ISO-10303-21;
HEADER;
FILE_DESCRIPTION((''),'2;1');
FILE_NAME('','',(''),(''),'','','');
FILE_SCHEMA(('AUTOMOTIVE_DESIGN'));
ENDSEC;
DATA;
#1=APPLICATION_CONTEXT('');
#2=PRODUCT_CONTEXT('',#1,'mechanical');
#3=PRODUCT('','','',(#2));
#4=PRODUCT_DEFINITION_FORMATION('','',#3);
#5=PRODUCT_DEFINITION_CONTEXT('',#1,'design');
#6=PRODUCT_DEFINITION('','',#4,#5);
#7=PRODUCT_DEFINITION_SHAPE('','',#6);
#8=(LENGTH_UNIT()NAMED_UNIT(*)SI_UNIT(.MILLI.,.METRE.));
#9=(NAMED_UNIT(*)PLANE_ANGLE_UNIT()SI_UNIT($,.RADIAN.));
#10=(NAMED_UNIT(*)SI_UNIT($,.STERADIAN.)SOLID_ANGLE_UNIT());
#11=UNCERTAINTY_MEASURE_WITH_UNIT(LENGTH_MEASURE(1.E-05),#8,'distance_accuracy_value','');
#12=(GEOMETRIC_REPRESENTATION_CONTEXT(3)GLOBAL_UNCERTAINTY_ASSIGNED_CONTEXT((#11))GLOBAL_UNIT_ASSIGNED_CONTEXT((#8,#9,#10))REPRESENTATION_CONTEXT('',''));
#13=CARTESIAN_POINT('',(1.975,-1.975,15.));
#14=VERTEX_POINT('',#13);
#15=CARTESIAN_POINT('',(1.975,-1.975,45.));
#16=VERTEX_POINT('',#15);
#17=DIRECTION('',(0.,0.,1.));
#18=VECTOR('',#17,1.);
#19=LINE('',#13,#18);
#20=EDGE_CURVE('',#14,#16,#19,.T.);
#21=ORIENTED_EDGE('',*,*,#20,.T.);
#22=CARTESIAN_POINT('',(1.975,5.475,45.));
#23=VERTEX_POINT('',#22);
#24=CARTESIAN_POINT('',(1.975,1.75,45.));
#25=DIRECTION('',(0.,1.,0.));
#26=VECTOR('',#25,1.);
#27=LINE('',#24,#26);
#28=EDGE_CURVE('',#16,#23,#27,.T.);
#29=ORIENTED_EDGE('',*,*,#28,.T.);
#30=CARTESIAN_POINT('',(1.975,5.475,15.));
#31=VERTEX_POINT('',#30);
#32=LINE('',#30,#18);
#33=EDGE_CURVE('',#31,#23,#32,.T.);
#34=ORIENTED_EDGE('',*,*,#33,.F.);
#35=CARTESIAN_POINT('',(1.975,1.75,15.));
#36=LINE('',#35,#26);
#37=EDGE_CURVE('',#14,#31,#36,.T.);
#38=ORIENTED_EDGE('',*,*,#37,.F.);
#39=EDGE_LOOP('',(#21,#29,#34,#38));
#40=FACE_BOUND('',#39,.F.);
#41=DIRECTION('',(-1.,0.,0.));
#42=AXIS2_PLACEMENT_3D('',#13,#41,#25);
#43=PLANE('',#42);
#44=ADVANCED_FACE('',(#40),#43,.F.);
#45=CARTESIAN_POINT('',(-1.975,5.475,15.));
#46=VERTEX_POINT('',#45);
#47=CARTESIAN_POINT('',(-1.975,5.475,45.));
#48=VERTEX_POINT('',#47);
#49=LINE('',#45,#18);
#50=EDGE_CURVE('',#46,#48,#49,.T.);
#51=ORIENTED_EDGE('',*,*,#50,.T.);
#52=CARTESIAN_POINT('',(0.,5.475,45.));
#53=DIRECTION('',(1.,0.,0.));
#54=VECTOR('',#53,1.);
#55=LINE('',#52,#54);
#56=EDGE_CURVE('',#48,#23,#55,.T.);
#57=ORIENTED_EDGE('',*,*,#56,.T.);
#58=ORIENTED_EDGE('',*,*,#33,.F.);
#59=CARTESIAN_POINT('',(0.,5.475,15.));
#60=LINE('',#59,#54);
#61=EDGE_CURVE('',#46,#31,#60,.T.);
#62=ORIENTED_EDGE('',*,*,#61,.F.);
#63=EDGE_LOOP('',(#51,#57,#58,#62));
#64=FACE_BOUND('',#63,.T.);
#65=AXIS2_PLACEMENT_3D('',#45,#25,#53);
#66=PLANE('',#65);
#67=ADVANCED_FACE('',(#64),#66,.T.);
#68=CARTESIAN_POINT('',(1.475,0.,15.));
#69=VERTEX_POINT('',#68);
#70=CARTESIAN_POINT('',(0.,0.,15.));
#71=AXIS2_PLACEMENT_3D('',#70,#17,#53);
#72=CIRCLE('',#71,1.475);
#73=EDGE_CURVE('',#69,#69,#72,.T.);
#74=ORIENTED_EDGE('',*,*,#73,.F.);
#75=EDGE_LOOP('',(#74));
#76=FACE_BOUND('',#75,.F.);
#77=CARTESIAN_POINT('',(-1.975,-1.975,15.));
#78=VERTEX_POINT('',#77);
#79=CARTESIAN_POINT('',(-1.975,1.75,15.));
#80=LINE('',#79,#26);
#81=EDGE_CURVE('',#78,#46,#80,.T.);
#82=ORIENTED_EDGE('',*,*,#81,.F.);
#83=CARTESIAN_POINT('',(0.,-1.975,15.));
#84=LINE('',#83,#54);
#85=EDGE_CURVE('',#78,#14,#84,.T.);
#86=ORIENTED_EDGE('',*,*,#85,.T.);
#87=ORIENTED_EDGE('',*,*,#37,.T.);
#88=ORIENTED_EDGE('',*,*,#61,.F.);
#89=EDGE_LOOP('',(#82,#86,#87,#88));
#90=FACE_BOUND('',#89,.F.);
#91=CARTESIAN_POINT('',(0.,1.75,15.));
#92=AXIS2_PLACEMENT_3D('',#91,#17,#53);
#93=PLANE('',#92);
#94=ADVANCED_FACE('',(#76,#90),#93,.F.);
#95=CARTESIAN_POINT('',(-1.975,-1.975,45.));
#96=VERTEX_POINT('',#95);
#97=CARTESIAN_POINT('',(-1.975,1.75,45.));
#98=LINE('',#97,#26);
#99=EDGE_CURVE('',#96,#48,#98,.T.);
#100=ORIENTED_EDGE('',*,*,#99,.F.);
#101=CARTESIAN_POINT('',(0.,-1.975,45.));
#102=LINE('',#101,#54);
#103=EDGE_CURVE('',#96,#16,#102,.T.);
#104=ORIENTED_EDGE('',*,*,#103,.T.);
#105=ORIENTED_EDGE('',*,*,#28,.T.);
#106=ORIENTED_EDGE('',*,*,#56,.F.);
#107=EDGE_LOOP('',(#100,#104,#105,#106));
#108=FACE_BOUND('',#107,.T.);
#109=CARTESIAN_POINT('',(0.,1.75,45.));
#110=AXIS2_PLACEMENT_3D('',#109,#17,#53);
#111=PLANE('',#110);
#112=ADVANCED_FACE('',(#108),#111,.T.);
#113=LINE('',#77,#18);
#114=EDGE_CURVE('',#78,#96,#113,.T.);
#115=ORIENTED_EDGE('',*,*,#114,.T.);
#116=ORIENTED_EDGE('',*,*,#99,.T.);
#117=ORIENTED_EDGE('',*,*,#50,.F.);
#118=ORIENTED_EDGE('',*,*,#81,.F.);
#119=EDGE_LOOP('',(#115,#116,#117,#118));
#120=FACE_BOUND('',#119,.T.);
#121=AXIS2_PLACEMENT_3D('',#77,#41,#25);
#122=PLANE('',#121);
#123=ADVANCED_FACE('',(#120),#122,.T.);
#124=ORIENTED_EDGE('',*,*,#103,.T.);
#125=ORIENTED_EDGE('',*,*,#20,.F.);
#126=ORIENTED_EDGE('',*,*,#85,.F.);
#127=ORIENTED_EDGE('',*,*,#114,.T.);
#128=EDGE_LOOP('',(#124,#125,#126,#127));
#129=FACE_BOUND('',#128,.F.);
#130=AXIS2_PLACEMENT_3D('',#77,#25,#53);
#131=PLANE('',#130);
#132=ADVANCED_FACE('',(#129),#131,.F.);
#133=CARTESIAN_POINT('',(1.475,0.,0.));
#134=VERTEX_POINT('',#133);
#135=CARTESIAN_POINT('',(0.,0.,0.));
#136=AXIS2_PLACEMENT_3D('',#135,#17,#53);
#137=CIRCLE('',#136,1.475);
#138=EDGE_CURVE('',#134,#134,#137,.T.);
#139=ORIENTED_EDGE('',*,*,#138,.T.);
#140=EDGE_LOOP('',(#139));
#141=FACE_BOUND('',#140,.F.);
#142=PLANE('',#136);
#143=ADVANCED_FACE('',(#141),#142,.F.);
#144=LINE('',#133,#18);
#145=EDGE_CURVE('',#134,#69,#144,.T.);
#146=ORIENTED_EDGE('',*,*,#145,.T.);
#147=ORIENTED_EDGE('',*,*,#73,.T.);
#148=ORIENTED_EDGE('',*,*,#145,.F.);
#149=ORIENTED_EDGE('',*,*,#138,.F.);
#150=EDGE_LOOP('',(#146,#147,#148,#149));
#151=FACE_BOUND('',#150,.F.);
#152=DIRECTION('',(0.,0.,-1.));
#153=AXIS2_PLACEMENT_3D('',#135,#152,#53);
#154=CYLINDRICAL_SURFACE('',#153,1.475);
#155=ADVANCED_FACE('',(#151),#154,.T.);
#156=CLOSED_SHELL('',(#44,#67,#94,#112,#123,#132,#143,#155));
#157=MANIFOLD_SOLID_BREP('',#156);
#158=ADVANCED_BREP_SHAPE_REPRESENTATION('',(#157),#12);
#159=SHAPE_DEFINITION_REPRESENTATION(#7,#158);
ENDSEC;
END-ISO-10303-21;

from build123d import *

# Parameters (mm, degrees)
F0_R     = 1.475
F1_DEPTH = 15
F2_W     = 3.95
F2_H     = 7.45
F2_R     = 1.475
F3_DEPTH = 30


with BuildPart() as f1:
    # F0 (on Top) → F1 (new body)
    with BuildSketch(Plane.XY):
        Circle(F0_R)
    extrude(amount=F1_DEPTH)

    # F2 (on face) → F3 (join)
    with BuildSketch(Plane.XY.offset(15)):
        with Locations((0, 1.75)):
            Rectangle(F2_W, F2_H)
        Circle(F2_R, mode=Mode.SUBTRACT)
        Circle(F2_R)
    extrude(amount=F3_DEPTH)


solid = f1.part
